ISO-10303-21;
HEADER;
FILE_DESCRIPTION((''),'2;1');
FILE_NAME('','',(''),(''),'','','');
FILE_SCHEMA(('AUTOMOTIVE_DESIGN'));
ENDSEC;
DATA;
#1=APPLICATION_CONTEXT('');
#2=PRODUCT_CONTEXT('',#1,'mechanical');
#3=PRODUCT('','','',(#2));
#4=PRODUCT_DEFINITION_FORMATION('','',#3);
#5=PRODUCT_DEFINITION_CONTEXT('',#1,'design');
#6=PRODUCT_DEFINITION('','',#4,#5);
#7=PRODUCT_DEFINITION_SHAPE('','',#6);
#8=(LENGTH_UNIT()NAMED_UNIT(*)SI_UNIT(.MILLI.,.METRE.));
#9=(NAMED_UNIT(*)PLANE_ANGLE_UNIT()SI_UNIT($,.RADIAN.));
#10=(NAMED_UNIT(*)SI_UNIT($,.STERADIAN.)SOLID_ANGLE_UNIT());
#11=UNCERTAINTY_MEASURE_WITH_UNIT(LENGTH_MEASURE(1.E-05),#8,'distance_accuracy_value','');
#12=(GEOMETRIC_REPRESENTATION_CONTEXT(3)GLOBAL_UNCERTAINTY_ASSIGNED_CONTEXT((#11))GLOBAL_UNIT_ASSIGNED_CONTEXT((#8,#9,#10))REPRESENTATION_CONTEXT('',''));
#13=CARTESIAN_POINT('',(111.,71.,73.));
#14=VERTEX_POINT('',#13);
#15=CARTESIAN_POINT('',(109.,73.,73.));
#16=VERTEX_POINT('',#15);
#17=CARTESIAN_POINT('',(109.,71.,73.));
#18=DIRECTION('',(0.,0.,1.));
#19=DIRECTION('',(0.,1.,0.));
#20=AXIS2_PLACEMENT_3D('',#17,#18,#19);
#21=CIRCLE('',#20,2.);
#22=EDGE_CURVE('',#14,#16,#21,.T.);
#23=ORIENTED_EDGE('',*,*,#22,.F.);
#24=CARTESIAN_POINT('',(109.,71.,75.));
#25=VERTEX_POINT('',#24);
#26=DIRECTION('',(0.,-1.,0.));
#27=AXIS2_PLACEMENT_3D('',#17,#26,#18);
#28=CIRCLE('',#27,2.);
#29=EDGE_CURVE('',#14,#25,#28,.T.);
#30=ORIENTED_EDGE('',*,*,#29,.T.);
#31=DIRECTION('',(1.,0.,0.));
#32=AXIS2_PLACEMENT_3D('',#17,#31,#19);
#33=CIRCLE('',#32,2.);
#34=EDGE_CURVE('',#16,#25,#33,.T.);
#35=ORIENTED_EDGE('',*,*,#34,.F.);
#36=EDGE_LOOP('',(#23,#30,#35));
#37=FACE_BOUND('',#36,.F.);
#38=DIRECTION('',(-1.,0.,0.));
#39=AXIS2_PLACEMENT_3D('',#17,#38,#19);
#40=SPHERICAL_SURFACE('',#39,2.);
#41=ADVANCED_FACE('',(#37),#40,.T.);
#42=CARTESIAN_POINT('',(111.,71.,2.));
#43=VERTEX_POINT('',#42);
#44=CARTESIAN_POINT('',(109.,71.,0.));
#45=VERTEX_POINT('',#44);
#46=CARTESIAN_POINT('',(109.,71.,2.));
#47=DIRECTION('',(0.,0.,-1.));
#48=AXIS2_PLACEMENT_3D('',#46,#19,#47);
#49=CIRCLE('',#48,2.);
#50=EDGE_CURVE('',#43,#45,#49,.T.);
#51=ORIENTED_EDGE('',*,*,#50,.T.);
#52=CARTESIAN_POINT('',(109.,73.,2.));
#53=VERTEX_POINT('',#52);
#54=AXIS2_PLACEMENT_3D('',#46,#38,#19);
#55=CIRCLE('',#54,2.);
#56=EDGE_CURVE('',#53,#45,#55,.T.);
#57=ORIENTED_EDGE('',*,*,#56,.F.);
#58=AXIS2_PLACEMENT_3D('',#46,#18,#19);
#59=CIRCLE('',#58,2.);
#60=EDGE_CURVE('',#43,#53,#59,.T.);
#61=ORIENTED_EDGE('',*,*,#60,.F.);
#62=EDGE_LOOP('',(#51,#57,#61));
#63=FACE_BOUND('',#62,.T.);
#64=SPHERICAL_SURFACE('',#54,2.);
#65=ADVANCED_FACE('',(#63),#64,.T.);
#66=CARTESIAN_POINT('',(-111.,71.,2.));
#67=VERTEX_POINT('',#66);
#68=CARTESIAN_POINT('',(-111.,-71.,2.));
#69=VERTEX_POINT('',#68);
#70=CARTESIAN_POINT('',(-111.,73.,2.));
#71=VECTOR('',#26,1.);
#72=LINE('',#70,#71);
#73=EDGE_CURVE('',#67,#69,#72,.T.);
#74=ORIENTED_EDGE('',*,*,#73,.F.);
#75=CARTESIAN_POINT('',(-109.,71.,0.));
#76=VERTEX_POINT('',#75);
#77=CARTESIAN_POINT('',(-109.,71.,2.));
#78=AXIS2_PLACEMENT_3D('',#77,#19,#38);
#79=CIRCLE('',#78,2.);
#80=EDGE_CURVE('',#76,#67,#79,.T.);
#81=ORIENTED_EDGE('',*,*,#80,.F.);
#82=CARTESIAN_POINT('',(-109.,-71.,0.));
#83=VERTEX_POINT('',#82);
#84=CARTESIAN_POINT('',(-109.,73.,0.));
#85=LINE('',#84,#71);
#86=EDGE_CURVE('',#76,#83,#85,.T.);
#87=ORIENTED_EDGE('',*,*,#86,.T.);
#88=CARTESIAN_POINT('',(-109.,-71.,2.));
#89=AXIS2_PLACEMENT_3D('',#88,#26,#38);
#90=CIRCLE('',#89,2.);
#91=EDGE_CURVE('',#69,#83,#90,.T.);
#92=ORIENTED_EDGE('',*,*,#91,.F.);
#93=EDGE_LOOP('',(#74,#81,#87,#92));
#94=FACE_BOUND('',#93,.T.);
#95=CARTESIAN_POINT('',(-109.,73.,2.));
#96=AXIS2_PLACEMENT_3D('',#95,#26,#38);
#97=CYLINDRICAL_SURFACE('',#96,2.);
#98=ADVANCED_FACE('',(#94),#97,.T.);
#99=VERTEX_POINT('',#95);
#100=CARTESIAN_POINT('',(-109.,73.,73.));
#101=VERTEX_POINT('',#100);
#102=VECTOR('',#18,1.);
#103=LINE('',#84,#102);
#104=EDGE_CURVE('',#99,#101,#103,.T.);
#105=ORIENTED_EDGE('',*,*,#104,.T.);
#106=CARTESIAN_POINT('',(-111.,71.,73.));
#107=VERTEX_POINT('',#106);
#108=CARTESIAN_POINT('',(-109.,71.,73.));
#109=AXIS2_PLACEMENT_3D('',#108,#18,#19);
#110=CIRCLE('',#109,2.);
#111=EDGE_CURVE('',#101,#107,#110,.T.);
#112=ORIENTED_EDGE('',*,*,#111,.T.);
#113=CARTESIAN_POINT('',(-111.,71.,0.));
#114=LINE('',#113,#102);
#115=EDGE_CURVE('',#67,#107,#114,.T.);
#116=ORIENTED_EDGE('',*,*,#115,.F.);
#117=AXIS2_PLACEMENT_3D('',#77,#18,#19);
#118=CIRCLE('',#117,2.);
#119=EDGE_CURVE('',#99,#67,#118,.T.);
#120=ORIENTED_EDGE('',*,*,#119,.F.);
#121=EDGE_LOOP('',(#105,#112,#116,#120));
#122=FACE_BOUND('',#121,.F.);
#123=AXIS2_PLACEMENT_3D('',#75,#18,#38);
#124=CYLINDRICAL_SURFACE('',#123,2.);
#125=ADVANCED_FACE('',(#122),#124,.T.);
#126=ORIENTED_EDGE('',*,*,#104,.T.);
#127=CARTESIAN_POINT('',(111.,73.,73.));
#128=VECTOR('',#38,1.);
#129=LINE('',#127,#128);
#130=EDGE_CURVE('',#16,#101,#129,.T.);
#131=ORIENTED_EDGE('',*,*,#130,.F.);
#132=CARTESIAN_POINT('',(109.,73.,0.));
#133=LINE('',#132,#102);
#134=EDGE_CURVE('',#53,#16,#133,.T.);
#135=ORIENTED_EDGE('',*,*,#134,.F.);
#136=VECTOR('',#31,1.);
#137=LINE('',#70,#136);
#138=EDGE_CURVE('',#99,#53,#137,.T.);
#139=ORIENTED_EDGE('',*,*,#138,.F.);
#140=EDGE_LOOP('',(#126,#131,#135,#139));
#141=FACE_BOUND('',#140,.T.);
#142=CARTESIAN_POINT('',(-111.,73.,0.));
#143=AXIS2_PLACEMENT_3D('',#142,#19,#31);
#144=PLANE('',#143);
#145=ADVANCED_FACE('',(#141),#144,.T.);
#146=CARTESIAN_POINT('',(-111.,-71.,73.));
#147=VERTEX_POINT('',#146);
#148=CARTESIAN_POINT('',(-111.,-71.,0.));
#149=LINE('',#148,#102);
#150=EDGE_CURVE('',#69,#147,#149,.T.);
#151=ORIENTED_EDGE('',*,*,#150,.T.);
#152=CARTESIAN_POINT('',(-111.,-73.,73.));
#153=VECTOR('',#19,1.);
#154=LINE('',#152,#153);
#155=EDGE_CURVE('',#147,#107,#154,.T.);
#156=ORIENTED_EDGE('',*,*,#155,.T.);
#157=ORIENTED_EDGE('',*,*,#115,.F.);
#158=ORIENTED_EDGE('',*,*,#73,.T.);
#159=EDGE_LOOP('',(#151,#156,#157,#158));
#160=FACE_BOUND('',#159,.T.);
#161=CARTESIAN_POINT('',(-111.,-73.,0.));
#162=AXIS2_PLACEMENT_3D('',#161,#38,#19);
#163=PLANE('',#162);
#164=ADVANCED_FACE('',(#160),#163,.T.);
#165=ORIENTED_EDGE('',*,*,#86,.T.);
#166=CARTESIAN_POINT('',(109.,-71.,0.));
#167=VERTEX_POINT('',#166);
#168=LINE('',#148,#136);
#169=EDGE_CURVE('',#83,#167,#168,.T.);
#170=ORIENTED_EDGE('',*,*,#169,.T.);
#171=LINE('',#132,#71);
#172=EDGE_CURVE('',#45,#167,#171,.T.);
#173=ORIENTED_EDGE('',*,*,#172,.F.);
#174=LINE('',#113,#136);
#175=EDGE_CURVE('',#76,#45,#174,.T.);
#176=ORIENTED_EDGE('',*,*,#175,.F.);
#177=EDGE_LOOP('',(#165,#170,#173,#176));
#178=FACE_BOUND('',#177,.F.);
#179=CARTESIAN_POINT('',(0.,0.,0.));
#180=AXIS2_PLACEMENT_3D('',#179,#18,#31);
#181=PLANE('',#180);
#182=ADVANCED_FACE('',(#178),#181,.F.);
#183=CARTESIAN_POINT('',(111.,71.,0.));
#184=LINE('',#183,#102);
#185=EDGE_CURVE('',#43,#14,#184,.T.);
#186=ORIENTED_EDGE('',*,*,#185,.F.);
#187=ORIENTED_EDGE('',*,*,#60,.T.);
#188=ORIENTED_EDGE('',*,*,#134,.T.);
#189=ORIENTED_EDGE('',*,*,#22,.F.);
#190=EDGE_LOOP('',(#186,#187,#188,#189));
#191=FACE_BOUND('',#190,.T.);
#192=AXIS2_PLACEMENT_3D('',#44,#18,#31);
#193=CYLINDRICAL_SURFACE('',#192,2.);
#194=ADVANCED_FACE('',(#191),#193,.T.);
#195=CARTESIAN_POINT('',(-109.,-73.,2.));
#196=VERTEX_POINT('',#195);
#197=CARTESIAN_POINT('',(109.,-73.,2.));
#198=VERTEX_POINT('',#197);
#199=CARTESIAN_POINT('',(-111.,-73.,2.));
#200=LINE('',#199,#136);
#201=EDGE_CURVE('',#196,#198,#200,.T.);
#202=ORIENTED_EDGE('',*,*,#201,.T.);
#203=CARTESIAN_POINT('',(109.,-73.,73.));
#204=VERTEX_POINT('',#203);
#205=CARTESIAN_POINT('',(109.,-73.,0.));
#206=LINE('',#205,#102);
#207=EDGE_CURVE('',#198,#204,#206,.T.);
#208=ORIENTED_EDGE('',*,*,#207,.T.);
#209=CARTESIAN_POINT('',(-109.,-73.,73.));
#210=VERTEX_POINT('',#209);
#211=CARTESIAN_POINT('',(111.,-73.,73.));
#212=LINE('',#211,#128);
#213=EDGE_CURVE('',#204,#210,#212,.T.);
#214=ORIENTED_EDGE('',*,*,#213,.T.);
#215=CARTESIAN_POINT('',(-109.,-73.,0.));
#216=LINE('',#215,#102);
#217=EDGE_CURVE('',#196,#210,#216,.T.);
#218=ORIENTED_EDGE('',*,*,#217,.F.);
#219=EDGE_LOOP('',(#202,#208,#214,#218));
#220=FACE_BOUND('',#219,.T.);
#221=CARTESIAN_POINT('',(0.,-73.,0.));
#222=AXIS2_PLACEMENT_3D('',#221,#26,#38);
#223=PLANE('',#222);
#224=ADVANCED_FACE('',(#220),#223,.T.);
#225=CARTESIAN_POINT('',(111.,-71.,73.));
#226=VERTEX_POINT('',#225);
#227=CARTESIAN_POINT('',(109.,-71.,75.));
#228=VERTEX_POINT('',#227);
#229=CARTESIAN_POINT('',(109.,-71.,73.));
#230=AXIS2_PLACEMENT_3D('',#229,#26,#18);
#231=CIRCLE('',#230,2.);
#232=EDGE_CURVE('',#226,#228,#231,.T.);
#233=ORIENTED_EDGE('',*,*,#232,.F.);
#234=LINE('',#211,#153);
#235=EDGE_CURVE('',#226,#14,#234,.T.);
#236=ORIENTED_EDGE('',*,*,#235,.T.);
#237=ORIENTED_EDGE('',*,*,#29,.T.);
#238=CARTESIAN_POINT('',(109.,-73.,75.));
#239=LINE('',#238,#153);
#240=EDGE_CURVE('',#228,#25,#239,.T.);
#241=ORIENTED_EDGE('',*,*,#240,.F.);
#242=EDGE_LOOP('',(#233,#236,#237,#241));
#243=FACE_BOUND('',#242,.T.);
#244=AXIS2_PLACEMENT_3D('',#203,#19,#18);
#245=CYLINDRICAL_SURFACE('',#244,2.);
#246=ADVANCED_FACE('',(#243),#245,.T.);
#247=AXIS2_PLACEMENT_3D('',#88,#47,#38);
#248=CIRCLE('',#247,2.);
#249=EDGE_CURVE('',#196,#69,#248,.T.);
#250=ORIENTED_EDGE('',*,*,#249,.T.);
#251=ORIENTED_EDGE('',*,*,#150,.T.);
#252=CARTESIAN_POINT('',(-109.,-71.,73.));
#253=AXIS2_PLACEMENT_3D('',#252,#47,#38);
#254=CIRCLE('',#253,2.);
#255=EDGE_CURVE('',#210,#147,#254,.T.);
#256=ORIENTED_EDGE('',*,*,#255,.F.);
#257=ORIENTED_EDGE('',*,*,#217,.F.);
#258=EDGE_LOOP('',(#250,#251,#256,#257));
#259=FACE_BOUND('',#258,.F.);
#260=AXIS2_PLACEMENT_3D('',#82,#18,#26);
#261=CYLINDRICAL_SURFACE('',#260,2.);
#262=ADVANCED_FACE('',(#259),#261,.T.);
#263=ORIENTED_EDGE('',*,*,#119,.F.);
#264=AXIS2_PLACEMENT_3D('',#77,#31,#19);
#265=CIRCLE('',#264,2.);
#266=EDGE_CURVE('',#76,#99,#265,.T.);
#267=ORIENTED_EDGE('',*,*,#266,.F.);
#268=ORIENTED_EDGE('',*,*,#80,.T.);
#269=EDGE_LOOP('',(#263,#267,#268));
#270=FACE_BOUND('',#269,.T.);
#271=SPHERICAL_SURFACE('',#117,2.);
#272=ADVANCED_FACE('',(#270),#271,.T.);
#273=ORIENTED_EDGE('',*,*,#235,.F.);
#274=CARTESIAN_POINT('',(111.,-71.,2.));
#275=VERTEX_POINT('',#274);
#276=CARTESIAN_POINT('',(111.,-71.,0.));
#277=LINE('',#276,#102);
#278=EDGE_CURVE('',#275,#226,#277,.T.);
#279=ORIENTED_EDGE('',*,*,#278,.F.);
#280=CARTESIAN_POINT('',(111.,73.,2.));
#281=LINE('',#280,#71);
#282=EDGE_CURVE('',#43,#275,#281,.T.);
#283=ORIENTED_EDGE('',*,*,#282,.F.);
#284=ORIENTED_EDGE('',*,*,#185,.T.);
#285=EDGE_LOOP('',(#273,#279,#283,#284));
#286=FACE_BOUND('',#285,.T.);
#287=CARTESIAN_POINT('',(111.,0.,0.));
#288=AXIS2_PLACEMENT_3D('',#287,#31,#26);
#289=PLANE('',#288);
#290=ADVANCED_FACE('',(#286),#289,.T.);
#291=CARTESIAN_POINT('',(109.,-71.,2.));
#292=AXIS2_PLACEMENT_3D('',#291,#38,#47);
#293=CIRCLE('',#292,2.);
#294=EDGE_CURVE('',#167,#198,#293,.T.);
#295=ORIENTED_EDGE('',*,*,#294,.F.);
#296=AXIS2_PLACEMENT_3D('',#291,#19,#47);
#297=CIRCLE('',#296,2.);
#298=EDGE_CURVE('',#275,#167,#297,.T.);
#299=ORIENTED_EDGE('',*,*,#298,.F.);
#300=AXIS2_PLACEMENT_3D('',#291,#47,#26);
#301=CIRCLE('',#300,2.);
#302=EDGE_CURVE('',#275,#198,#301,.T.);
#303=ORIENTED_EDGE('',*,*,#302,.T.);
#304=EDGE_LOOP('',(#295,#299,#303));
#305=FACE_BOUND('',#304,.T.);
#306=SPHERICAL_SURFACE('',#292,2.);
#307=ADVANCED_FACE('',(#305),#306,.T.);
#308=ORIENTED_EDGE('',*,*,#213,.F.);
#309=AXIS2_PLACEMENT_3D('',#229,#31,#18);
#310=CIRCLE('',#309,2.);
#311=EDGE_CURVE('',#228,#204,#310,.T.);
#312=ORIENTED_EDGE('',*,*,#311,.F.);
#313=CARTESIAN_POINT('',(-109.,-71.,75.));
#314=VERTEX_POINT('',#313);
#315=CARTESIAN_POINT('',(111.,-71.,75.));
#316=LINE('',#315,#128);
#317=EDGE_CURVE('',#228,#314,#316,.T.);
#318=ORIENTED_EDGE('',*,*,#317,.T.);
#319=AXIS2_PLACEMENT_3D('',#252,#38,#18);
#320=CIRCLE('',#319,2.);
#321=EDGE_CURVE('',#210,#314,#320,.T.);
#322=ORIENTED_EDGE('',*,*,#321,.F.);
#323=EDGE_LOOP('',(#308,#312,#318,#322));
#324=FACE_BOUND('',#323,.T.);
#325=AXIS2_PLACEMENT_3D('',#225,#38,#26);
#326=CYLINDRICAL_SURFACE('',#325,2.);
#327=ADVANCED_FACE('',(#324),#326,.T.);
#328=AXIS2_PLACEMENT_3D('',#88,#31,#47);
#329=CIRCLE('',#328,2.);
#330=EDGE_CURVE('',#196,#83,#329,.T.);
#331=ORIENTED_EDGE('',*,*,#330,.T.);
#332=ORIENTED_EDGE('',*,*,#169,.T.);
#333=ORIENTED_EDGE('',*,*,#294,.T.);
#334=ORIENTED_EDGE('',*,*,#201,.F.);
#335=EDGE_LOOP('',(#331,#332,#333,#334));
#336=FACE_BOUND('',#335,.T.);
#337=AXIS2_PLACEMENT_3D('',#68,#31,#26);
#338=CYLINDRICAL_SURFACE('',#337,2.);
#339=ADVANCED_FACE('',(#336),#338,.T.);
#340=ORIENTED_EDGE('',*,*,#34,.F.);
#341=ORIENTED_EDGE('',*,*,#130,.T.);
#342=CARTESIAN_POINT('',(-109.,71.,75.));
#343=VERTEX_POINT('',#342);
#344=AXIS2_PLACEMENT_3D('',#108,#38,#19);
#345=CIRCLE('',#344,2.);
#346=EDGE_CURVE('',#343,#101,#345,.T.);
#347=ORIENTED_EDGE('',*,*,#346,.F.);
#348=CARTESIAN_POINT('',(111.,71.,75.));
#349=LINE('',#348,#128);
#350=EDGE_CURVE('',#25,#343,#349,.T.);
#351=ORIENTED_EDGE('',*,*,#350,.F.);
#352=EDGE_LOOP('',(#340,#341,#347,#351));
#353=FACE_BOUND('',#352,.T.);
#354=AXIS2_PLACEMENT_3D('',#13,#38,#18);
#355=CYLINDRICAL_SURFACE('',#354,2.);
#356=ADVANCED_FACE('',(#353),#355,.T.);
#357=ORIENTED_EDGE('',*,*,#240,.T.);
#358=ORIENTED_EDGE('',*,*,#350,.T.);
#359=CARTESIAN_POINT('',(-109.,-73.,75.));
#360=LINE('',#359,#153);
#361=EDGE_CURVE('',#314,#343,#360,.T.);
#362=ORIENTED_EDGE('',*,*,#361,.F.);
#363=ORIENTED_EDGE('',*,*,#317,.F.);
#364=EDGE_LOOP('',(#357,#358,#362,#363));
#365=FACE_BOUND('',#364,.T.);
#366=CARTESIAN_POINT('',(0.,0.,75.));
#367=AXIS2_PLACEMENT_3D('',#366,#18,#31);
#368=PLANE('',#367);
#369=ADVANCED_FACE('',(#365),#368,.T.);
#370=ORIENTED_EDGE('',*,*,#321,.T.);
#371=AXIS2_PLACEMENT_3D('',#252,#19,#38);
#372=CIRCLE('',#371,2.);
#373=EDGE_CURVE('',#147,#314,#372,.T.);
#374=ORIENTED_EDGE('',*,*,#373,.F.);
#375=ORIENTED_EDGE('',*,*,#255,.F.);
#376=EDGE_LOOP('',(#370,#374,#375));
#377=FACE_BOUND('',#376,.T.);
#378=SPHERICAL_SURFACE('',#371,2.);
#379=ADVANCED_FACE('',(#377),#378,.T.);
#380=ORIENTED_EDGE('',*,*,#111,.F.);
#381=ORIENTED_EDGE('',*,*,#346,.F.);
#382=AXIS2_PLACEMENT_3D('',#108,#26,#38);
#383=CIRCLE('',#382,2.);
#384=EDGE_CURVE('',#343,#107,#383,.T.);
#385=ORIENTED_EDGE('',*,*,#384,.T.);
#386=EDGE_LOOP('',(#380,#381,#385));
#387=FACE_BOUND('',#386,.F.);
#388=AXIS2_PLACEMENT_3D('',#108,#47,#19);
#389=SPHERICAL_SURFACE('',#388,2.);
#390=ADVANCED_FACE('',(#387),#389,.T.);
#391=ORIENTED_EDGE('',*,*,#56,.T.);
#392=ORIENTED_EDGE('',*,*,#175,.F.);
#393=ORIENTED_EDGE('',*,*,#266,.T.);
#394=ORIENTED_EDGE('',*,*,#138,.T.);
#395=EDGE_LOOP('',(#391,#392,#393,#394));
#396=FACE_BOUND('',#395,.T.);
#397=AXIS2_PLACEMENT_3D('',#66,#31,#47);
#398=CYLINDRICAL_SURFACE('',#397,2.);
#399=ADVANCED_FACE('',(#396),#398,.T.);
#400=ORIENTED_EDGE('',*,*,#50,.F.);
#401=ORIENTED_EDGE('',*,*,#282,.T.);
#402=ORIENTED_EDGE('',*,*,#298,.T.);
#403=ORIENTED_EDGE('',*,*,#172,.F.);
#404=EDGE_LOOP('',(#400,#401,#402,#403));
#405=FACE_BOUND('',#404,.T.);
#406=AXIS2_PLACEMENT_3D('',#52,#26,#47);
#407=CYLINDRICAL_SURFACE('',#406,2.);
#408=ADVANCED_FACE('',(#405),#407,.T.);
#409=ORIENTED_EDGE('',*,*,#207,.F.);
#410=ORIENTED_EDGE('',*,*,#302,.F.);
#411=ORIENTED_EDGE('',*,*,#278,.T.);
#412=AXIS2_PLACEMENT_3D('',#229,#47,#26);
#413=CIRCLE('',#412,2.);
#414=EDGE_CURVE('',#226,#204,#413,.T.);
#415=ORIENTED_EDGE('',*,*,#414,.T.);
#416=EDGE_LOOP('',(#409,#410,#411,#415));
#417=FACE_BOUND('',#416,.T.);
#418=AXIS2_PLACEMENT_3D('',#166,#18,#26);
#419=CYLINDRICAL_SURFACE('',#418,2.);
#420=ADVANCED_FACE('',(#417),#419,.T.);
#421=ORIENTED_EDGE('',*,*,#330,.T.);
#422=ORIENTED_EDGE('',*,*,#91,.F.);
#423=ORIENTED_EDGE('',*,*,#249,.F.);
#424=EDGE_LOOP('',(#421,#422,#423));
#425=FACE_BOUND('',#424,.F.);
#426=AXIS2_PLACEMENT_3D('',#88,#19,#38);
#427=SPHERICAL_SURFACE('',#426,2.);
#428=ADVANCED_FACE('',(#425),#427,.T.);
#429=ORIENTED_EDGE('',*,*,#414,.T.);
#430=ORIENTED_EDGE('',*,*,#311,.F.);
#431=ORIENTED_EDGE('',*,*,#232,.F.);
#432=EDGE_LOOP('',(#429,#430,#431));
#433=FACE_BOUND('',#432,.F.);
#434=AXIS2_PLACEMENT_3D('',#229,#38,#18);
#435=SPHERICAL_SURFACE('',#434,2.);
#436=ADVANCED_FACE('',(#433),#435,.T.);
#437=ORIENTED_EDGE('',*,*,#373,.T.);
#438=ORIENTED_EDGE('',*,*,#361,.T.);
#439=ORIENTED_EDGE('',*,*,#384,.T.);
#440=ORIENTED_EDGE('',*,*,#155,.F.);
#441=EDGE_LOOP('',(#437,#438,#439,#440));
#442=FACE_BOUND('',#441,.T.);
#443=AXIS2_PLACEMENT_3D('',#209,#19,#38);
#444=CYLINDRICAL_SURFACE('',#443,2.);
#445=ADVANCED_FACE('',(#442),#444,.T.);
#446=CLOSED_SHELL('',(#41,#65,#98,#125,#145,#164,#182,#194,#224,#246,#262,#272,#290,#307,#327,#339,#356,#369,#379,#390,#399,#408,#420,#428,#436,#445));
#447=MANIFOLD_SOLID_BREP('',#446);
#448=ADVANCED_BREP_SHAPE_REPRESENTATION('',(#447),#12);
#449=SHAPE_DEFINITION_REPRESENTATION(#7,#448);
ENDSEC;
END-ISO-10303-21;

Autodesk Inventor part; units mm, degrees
ref_plane "YZ Plane" through (0, 0, 0) normal (1, 0, 0) x (0, 1, 0)
ref_plane "XZ Plane" through (0, 0, 0) normal (0, 1, 0) x (-1, 0, 0)
ref_plane "XY Plane" through (0, 0, 0) normal (0, 0, 1) x (1, 0, 0)
sketch "Sketch3" plane through (0, 0, 0) normal (0, 0, 1) x (1, 0, 0)
  line L0 (0, -102.2) -> (0, 102.2) projected
  line L1 (-155.4, 0) -> (155.4, 0) projected
  line L2 (-111, 73) -> (111, 73)
  line L3 (111, 73) -> (111, -73)
  line L4 (111, -73) -> (-111, -73)
  line L5 (-111, -73) -> (-111, 73)
  line L6 (-111, 73) -> (111, -73) construction
  line L7 (111, 73) -> (-111, -73) construction
  point P0 (0, 0)
  dimension "d0" = 222
  dimension "d1" = 146
extrude "Extrusion1" add sketch "Sketch3" along normal blind 75
fillet "Fillet1" radius 2 12 edges at (-111, 73, 37.5) (0, 73, 75) (-111, 0, 75) (0, 73, 0) (-111, 0, 0) (-111, -73, 37.5) (0, -73, 0) (0, -73, 75) (111, 73, 37.5) (111, 0, 75) (111, 0, 0) (111, -73, 37.5)
equation "\"BendRadius\" = Thickness"
equation "\"BendReliefWidth\" = Thickness"
equation "\"BendReliefDepth\" = 0.5 * Thickness"
equation "\"CornerReliefSize\" = 4 * Thickness"
equation "\"MinimumRemnant\" = 2 * Thickness"
equation "\"TransitionRadius\" = BendRadius"
equation "\"JacobiRadiusSize\" = BendRadius"
equation "\"GapSize\" = Thickness"
equation "\"Thickness\" = 0.5"
properties part number "Waterproof box"
